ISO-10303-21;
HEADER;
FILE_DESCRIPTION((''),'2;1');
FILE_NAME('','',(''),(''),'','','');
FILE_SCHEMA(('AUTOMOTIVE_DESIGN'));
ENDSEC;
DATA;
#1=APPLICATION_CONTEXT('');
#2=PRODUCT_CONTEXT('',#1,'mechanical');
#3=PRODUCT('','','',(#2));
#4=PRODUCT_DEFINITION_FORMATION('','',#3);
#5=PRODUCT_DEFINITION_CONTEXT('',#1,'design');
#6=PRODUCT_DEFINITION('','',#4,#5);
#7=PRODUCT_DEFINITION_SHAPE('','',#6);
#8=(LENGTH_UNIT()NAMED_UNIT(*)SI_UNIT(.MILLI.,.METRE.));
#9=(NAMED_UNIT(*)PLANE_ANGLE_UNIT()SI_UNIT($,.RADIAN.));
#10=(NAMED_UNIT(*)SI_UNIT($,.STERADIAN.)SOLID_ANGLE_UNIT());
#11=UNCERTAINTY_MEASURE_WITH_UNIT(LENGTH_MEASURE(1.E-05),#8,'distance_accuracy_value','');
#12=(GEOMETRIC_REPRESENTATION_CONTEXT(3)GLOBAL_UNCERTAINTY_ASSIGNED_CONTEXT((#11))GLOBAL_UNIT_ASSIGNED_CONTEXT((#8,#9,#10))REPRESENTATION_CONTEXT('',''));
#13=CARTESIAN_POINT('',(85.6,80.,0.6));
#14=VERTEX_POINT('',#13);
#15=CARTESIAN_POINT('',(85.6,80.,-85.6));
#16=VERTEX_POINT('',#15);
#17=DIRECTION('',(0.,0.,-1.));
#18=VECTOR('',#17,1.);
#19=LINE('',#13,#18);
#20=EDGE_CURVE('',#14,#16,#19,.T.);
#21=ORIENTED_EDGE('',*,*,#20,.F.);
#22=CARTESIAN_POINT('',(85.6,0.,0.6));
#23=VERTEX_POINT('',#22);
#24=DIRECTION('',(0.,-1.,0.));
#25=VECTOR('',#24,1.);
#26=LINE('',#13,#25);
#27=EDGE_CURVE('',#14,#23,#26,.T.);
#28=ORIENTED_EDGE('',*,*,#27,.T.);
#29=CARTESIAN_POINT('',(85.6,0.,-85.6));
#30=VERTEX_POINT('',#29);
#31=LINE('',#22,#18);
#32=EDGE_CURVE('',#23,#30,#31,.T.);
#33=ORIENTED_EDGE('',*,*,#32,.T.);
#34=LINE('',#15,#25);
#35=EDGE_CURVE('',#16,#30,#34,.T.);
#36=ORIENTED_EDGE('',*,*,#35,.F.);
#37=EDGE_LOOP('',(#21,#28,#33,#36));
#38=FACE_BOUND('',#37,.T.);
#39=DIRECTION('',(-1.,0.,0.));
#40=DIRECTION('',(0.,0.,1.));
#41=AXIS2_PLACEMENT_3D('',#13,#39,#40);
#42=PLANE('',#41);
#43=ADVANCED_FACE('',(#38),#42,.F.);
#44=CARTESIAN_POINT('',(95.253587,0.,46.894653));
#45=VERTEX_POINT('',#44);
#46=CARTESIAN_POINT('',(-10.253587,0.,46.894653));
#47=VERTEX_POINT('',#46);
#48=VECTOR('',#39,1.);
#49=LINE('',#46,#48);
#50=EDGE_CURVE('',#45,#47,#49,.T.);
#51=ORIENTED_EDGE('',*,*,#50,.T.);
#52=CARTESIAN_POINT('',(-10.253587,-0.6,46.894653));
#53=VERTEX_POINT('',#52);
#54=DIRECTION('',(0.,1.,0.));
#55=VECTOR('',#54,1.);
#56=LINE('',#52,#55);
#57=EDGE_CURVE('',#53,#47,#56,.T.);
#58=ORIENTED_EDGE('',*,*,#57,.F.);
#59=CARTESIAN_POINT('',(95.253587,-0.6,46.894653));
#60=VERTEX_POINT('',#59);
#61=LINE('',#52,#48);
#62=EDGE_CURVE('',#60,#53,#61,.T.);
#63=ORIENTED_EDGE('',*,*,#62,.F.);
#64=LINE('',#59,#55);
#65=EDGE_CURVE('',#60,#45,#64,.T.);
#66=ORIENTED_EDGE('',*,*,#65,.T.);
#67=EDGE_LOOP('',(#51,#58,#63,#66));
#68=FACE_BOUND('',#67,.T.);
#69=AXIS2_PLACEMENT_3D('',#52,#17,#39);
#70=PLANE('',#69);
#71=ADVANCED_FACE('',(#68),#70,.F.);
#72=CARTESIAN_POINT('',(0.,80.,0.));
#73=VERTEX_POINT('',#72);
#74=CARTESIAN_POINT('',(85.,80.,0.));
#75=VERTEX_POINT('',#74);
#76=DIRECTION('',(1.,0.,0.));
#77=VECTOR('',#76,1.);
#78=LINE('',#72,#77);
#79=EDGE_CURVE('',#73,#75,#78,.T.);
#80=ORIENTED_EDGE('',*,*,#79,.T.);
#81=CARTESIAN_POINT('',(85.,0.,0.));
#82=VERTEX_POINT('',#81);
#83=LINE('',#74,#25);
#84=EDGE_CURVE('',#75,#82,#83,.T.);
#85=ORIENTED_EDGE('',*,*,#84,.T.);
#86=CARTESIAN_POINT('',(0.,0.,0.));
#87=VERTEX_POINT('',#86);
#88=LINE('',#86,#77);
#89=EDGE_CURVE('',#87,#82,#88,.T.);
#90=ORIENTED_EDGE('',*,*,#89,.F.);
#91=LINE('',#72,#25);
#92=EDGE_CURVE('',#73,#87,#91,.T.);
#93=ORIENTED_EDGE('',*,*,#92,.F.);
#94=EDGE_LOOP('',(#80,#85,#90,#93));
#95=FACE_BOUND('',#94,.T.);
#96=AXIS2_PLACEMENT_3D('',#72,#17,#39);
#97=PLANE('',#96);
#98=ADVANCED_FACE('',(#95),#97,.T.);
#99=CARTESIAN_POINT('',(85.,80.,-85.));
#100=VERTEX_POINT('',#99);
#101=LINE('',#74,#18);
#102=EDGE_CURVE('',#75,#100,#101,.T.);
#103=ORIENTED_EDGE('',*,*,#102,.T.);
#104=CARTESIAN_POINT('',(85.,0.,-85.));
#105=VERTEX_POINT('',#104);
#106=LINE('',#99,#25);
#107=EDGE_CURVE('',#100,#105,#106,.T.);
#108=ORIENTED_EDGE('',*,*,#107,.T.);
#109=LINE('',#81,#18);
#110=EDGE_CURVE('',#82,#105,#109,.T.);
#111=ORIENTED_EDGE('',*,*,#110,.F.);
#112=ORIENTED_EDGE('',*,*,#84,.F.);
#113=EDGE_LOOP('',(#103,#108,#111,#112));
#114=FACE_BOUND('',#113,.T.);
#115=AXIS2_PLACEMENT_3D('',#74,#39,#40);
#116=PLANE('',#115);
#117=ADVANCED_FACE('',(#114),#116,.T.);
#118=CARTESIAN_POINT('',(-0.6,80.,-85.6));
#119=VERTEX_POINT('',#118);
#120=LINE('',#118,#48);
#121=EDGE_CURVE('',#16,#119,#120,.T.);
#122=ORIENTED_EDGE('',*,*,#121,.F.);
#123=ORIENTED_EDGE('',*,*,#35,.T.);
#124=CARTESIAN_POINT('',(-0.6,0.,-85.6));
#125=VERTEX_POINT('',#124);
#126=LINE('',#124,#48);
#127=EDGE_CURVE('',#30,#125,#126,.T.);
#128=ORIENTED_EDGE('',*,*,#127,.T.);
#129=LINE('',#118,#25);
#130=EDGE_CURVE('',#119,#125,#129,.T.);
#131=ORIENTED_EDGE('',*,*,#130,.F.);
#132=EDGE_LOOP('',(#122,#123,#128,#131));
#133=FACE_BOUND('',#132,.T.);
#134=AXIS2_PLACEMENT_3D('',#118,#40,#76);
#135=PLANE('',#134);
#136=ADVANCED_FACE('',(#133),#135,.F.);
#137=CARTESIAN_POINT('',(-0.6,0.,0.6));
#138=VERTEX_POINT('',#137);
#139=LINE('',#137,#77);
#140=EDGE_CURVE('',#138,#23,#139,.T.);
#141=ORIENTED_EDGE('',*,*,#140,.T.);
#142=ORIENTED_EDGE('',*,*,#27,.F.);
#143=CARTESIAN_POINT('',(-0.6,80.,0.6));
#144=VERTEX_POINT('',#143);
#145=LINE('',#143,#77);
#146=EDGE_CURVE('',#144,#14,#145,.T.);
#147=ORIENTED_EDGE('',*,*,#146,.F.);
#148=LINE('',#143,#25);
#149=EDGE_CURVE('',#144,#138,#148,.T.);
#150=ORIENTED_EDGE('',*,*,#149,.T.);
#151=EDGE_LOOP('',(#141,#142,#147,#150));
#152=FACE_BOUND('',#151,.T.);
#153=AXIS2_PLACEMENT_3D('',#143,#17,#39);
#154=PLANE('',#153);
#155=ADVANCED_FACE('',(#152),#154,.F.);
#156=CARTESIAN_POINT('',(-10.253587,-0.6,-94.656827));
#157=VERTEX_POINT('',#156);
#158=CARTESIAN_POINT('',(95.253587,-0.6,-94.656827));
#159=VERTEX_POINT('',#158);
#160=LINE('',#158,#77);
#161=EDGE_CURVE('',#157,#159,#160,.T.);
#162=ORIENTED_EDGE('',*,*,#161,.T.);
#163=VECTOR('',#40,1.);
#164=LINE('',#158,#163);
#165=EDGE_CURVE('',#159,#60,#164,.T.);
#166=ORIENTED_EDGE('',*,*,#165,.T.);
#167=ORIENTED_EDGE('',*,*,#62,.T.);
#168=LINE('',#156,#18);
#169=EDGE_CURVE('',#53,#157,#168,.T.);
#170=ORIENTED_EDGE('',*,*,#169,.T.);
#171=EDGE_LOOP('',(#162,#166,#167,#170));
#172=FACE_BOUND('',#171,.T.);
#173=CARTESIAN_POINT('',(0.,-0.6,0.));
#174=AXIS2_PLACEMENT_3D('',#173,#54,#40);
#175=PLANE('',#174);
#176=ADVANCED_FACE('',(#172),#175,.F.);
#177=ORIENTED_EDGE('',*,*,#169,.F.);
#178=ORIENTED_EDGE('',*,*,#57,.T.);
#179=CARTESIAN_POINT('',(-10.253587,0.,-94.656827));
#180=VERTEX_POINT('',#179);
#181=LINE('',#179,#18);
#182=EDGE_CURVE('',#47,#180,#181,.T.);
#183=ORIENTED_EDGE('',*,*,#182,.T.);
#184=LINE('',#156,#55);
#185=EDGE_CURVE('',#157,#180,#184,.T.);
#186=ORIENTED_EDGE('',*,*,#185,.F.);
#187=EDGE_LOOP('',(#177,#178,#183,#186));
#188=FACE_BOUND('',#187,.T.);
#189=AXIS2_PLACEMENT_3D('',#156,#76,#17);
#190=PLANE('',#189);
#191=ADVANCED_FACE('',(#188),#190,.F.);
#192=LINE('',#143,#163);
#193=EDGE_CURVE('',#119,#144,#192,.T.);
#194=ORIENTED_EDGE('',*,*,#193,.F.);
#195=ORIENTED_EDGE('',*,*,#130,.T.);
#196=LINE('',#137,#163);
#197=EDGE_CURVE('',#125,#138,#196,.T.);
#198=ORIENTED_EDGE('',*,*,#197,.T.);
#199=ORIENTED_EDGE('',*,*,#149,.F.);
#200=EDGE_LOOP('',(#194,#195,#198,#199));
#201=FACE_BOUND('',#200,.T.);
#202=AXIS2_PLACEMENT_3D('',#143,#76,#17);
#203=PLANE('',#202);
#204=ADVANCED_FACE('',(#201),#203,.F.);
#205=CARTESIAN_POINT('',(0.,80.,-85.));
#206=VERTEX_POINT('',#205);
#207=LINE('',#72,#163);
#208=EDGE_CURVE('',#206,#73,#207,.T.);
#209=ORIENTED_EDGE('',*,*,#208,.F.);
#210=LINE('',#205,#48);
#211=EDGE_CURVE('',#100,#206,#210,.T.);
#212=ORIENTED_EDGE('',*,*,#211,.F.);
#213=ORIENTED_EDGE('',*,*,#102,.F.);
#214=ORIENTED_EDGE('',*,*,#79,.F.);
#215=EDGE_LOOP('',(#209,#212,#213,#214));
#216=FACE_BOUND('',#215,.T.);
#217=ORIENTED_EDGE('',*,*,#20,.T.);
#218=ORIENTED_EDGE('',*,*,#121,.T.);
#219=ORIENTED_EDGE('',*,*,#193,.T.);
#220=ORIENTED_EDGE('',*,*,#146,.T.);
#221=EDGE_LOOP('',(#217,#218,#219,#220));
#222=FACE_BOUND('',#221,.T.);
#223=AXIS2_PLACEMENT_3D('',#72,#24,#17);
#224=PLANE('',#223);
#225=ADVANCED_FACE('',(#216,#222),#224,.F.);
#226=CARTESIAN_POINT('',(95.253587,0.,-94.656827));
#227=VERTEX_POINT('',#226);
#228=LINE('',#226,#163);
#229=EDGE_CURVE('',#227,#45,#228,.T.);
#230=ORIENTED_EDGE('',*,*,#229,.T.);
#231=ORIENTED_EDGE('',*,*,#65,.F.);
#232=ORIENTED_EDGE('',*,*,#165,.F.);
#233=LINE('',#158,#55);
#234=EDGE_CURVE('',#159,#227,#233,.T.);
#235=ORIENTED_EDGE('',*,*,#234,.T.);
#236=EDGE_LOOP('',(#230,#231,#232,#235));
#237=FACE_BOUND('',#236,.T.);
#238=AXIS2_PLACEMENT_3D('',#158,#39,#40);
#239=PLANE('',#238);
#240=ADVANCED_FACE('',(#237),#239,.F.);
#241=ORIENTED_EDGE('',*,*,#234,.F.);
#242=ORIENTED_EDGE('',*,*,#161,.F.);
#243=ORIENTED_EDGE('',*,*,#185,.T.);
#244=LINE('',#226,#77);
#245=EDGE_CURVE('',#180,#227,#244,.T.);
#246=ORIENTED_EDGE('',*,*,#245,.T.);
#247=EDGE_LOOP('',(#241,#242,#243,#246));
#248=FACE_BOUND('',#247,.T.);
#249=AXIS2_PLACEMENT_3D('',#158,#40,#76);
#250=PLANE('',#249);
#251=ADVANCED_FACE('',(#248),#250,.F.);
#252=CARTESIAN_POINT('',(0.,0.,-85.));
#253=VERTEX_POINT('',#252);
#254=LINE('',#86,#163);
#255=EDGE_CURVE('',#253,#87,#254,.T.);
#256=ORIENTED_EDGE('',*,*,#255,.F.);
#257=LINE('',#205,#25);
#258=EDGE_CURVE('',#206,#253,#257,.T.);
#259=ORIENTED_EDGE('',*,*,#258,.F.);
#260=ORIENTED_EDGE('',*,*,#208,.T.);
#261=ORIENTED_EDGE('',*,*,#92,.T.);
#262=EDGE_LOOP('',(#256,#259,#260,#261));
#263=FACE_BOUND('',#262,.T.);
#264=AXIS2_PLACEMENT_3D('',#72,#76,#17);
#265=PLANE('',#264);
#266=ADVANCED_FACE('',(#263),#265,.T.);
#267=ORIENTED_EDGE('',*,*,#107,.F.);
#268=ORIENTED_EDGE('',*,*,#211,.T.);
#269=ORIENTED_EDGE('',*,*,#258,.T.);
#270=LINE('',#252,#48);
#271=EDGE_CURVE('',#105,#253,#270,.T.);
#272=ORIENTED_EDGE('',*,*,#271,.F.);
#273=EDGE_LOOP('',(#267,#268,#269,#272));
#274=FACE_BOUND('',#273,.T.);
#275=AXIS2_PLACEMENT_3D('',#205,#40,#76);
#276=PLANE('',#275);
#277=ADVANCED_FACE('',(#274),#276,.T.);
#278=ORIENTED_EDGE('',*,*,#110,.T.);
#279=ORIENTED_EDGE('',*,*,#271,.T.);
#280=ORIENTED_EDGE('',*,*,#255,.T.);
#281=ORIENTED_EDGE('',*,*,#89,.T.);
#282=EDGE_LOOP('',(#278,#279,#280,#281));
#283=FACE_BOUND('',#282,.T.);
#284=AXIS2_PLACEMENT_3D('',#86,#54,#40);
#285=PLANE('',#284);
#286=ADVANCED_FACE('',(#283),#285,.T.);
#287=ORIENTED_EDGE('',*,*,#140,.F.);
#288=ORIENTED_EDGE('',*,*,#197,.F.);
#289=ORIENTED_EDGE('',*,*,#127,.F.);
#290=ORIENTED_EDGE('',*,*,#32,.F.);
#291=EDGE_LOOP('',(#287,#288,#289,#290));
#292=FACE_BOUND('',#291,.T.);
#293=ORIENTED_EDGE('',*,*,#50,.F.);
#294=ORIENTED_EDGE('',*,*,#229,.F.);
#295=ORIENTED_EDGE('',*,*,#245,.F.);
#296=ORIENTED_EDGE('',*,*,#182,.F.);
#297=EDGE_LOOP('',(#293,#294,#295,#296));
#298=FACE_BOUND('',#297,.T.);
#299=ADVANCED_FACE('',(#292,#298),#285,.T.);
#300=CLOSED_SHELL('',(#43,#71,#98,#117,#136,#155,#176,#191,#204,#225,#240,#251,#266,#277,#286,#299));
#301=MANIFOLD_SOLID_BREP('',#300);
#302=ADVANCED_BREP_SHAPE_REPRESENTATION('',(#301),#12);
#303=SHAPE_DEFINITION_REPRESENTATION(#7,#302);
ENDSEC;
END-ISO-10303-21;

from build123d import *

# Parameters (mm, degrees)
CROQUIS1_W              = 86.2
CROQUIS1_H              = 86.2
CROQUIS1_W_2            = 85
CROQUIS1_H_2            = 85
SALIENTE_EXTRUIR1_DEPTH = 80
CROQUIS2_W              = 105.507174212
CROQUIS2_H              = 141.551480334
SALIENTE_EXTRUIR2_DEPTH = 0.6


with BuildPart() as part:
    # Croquis1 → Saliente-Extruir1 (new body)
    with BuildSketch(Plane(origin=(0, 0, 0), x_dir=(1, 0, 0), z_dir=(0, 1, 0))):
        with Locations((42.5, 42.5)):
            Rectangle(CROQUIS1_W, CROQUIS1_H)
        with Locations((42.5, 42.5)):
            Rectangle(CROQUIS1_W_2, CROQUIS1_H_2, mode=Mode.SUBTRACT)
    extrude(amount=SALIENTE_EXTRUIR1_DEPTH)

    # Croquis2 → Saliente-Extruir2 (add)
    with BuildSketch(Plane.XZ):
        with Locations((42.5, -23.881086904)):
            Rectangle(CROQUIS2_W, CROQUIS2_H)
    extrude(amount=SALIENTE_EXTRUIR2_DEPTH)


solid = part.part
